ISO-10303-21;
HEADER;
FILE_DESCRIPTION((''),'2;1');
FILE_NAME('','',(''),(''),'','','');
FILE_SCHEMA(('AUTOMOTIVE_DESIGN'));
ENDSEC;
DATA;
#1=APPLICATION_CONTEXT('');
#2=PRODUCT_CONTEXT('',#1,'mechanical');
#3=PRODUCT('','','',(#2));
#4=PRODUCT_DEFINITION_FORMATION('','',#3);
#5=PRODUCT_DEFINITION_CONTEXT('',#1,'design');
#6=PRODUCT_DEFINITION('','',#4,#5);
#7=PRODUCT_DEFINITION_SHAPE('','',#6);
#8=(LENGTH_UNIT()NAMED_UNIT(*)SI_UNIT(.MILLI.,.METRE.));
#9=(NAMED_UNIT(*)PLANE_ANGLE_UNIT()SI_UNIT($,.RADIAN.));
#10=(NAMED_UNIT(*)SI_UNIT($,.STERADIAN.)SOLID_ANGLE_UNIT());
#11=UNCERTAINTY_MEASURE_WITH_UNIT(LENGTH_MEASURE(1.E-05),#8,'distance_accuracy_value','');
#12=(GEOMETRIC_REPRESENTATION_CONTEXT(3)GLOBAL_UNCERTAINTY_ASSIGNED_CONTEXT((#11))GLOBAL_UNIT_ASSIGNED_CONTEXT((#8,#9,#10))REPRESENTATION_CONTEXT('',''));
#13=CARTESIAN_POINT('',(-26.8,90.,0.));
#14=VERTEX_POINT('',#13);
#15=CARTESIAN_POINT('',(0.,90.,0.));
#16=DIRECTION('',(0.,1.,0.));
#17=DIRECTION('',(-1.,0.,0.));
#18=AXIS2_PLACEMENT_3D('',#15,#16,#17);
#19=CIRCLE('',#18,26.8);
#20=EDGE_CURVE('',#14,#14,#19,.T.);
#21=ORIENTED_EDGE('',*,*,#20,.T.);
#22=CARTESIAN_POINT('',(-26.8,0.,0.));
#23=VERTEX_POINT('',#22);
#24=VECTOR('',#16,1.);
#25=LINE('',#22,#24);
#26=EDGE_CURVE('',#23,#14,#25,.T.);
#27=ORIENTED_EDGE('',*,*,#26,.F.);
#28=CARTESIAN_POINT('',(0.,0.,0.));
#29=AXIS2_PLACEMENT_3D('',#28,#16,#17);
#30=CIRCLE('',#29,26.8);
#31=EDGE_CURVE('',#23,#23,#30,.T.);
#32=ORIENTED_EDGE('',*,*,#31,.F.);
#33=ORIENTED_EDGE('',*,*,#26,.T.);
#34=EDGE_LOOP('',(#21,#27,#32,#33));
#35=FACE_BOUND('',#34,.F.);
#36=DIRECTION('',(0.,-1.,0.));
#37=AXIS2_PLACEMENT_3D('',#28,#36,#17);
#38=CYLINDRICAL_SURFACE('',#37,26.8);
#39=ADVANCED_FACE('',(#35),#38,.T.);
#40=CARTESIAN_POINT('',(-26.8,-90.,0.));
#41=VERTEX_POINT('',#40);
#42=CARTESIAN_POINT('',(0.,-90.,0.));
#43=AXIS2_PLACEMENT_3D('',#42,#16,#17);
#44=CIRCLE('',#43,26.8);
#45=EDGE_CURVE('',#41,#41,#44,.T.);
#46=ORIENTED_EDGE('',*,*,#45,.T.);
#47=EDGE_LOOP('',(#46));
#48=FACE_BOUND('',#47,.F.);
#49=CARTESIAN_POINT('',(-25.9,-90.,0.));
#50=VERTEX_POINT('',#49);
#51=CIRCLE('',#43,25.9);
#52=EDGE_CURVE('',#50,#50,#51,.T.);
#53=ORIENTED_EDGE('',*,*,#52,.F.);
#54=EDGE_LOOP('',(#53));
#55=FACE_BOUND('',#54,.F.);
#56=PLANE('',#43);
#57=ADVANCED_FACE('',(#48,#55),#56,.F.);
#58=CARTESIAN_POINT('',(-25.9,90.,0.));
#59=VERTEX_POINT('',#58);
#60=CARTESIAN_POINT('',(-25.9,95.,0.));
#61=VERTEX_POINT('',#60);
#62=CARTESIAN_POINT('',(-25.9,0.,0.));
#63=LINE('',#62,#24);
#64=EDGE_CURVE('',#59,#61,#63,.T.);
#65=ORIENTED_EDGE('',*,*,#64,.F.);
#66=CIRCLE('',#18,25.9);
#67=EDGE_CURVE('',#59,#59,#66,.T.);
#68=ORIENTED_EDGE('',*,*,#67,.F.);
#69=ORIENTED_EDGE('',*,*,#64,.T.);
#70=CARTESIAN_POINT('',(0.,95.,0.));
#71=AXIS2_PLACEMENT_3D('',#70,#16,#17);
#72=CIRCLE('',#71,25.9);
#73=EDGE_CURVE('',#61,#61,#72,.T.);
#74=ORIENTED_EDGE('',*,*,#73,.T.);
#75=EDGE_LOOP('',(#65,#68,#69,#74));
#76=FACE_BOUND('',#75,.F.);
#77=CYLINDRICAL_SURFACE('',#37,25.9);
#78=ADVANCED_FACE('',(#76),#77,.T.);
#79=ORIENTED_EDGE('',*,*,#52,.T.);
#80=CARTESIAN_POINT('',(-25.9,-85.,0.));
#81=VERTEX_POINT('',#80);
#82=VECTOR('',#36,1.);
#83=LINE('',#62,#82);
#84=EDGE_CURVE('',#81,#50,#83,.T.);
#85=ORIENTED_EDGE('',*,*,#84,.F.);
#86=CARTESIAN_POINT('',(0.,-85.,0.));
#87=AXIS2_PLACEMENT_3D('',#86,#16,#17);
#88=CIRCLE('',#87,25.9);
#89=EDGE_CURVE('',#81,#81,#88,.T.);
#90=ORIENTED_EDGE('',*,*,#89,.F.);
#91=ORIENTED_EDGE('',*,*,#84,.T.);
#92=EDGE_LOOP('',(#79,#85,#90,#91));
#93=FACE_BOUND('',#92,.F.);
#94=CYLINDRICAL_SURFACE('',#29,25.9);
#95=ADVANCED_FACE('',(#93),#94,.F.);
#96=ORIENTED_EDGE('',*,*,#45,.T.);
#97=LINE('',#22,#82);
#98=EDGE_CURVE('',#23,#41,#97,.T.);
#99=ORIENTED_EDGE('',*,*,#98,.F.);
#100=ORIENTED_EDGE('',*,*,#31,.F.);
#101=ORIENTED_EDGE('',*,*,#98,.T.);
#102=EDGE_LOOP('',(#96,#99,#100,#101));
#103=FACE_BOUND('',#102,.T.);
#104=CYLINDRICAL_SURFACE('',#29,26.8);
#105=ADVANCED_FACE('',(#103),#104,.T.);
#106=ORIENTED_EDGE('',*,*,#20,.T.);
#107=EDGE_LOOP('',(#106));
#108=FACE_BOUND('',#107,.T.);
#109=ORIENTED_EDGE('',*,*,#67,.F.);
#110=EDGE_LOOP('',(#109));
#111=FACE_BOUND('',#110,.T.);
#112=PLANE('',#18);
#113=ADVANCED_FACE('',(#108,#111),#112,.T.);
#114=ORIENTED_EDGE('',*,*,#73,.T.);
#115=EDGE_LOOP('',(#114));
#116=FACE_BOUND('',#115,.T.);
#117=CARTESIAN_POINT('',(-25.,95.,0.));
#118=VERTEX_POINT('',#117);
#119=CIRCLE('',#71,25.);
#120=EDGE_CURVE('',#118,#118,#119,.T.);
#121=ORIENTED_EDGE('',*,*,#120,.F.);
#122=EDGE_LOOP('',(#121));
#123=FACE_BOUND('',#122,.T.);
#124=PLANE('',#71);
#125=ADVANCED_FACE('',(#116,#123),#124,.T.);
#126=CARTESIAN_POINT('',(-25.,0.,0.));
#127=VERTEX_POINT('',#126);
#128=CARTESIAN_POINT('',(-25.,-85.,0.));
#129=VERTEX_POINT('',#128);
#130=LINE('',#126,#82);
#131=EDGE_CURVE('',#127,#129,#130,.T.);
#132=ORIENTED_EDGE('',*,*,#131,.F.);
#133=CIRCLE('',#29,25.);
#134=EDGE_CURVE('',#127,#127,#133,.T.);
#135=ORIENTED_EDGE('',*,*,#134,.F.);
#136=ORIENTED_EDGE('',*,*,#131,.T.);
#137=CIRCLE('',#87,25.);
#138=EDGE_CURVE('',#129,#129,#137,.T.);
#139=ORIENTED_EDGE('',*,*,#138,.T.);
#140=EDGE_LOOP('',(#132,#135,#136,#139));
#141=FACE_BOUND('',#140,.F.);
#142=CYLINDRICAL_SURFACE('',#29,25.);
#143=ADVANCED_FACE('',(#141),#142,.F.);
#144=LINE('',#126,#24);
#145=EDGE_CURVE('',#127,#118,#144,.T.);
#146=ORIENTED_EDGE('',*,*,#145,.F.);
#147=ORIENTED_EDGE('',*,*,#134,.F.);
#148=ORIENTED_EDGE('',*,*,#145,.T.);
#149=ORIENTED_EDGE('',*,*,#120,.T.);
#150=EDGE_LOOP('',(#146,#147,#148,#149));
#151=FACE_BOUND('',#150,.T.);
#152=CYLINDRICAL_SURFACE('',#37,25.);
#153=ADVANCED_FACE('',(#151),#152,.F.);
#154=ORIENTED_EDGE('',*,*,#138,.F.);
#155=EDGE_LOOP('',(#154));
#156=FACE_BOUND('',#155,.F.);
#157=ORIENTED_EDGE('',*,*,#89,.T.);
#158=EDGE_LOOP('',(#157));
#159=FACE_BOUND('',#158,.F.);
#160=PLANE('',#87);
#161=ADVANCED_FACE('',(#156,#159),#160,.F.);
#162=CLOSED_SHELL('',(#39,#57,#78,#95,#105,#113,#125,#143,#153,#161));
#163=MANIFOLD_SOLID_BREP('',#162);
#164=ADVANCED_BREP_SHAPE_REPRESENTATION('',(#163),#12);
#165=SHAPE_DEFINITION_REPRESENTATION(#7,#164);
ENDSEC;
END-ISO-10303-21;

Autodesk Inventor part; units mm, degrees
ref_plane "YZ Plane" through (0, 0, 0) normal (1, 0, 0) x (0, 1, 0)
ref_plane "XZ Plane" through (0, 0, 0) normal (0, 1, 0) x (-1, 0, 0)
ref_plane "XY Plane" through (0, 0, 0) normal (0, 0, 1) x (1, 0, 0)
sketch "Sketch1" plane through (0, 0, 0) normal (0, 1, 0) x (-1, 0, 0)
  circle A0 centre (0, 0) radius 25.9
  circle A1 centre (0, 0) radius 25
  circle A2 centre (0, 0) radius 26.8
  dimension "d0" = 51.8
  dimension "d1" = 50
  dimension "d2" = 53.6
extrude "Extrusion1" add sketch "Sketch1" along normal blind 95 and the other way blind 85 contours A0
extrude "Extrusion2" add sketch "Sketch1" along normal mid plane 180 contours A2
properties part number "payloadchamber" material "ABS Plastic"
